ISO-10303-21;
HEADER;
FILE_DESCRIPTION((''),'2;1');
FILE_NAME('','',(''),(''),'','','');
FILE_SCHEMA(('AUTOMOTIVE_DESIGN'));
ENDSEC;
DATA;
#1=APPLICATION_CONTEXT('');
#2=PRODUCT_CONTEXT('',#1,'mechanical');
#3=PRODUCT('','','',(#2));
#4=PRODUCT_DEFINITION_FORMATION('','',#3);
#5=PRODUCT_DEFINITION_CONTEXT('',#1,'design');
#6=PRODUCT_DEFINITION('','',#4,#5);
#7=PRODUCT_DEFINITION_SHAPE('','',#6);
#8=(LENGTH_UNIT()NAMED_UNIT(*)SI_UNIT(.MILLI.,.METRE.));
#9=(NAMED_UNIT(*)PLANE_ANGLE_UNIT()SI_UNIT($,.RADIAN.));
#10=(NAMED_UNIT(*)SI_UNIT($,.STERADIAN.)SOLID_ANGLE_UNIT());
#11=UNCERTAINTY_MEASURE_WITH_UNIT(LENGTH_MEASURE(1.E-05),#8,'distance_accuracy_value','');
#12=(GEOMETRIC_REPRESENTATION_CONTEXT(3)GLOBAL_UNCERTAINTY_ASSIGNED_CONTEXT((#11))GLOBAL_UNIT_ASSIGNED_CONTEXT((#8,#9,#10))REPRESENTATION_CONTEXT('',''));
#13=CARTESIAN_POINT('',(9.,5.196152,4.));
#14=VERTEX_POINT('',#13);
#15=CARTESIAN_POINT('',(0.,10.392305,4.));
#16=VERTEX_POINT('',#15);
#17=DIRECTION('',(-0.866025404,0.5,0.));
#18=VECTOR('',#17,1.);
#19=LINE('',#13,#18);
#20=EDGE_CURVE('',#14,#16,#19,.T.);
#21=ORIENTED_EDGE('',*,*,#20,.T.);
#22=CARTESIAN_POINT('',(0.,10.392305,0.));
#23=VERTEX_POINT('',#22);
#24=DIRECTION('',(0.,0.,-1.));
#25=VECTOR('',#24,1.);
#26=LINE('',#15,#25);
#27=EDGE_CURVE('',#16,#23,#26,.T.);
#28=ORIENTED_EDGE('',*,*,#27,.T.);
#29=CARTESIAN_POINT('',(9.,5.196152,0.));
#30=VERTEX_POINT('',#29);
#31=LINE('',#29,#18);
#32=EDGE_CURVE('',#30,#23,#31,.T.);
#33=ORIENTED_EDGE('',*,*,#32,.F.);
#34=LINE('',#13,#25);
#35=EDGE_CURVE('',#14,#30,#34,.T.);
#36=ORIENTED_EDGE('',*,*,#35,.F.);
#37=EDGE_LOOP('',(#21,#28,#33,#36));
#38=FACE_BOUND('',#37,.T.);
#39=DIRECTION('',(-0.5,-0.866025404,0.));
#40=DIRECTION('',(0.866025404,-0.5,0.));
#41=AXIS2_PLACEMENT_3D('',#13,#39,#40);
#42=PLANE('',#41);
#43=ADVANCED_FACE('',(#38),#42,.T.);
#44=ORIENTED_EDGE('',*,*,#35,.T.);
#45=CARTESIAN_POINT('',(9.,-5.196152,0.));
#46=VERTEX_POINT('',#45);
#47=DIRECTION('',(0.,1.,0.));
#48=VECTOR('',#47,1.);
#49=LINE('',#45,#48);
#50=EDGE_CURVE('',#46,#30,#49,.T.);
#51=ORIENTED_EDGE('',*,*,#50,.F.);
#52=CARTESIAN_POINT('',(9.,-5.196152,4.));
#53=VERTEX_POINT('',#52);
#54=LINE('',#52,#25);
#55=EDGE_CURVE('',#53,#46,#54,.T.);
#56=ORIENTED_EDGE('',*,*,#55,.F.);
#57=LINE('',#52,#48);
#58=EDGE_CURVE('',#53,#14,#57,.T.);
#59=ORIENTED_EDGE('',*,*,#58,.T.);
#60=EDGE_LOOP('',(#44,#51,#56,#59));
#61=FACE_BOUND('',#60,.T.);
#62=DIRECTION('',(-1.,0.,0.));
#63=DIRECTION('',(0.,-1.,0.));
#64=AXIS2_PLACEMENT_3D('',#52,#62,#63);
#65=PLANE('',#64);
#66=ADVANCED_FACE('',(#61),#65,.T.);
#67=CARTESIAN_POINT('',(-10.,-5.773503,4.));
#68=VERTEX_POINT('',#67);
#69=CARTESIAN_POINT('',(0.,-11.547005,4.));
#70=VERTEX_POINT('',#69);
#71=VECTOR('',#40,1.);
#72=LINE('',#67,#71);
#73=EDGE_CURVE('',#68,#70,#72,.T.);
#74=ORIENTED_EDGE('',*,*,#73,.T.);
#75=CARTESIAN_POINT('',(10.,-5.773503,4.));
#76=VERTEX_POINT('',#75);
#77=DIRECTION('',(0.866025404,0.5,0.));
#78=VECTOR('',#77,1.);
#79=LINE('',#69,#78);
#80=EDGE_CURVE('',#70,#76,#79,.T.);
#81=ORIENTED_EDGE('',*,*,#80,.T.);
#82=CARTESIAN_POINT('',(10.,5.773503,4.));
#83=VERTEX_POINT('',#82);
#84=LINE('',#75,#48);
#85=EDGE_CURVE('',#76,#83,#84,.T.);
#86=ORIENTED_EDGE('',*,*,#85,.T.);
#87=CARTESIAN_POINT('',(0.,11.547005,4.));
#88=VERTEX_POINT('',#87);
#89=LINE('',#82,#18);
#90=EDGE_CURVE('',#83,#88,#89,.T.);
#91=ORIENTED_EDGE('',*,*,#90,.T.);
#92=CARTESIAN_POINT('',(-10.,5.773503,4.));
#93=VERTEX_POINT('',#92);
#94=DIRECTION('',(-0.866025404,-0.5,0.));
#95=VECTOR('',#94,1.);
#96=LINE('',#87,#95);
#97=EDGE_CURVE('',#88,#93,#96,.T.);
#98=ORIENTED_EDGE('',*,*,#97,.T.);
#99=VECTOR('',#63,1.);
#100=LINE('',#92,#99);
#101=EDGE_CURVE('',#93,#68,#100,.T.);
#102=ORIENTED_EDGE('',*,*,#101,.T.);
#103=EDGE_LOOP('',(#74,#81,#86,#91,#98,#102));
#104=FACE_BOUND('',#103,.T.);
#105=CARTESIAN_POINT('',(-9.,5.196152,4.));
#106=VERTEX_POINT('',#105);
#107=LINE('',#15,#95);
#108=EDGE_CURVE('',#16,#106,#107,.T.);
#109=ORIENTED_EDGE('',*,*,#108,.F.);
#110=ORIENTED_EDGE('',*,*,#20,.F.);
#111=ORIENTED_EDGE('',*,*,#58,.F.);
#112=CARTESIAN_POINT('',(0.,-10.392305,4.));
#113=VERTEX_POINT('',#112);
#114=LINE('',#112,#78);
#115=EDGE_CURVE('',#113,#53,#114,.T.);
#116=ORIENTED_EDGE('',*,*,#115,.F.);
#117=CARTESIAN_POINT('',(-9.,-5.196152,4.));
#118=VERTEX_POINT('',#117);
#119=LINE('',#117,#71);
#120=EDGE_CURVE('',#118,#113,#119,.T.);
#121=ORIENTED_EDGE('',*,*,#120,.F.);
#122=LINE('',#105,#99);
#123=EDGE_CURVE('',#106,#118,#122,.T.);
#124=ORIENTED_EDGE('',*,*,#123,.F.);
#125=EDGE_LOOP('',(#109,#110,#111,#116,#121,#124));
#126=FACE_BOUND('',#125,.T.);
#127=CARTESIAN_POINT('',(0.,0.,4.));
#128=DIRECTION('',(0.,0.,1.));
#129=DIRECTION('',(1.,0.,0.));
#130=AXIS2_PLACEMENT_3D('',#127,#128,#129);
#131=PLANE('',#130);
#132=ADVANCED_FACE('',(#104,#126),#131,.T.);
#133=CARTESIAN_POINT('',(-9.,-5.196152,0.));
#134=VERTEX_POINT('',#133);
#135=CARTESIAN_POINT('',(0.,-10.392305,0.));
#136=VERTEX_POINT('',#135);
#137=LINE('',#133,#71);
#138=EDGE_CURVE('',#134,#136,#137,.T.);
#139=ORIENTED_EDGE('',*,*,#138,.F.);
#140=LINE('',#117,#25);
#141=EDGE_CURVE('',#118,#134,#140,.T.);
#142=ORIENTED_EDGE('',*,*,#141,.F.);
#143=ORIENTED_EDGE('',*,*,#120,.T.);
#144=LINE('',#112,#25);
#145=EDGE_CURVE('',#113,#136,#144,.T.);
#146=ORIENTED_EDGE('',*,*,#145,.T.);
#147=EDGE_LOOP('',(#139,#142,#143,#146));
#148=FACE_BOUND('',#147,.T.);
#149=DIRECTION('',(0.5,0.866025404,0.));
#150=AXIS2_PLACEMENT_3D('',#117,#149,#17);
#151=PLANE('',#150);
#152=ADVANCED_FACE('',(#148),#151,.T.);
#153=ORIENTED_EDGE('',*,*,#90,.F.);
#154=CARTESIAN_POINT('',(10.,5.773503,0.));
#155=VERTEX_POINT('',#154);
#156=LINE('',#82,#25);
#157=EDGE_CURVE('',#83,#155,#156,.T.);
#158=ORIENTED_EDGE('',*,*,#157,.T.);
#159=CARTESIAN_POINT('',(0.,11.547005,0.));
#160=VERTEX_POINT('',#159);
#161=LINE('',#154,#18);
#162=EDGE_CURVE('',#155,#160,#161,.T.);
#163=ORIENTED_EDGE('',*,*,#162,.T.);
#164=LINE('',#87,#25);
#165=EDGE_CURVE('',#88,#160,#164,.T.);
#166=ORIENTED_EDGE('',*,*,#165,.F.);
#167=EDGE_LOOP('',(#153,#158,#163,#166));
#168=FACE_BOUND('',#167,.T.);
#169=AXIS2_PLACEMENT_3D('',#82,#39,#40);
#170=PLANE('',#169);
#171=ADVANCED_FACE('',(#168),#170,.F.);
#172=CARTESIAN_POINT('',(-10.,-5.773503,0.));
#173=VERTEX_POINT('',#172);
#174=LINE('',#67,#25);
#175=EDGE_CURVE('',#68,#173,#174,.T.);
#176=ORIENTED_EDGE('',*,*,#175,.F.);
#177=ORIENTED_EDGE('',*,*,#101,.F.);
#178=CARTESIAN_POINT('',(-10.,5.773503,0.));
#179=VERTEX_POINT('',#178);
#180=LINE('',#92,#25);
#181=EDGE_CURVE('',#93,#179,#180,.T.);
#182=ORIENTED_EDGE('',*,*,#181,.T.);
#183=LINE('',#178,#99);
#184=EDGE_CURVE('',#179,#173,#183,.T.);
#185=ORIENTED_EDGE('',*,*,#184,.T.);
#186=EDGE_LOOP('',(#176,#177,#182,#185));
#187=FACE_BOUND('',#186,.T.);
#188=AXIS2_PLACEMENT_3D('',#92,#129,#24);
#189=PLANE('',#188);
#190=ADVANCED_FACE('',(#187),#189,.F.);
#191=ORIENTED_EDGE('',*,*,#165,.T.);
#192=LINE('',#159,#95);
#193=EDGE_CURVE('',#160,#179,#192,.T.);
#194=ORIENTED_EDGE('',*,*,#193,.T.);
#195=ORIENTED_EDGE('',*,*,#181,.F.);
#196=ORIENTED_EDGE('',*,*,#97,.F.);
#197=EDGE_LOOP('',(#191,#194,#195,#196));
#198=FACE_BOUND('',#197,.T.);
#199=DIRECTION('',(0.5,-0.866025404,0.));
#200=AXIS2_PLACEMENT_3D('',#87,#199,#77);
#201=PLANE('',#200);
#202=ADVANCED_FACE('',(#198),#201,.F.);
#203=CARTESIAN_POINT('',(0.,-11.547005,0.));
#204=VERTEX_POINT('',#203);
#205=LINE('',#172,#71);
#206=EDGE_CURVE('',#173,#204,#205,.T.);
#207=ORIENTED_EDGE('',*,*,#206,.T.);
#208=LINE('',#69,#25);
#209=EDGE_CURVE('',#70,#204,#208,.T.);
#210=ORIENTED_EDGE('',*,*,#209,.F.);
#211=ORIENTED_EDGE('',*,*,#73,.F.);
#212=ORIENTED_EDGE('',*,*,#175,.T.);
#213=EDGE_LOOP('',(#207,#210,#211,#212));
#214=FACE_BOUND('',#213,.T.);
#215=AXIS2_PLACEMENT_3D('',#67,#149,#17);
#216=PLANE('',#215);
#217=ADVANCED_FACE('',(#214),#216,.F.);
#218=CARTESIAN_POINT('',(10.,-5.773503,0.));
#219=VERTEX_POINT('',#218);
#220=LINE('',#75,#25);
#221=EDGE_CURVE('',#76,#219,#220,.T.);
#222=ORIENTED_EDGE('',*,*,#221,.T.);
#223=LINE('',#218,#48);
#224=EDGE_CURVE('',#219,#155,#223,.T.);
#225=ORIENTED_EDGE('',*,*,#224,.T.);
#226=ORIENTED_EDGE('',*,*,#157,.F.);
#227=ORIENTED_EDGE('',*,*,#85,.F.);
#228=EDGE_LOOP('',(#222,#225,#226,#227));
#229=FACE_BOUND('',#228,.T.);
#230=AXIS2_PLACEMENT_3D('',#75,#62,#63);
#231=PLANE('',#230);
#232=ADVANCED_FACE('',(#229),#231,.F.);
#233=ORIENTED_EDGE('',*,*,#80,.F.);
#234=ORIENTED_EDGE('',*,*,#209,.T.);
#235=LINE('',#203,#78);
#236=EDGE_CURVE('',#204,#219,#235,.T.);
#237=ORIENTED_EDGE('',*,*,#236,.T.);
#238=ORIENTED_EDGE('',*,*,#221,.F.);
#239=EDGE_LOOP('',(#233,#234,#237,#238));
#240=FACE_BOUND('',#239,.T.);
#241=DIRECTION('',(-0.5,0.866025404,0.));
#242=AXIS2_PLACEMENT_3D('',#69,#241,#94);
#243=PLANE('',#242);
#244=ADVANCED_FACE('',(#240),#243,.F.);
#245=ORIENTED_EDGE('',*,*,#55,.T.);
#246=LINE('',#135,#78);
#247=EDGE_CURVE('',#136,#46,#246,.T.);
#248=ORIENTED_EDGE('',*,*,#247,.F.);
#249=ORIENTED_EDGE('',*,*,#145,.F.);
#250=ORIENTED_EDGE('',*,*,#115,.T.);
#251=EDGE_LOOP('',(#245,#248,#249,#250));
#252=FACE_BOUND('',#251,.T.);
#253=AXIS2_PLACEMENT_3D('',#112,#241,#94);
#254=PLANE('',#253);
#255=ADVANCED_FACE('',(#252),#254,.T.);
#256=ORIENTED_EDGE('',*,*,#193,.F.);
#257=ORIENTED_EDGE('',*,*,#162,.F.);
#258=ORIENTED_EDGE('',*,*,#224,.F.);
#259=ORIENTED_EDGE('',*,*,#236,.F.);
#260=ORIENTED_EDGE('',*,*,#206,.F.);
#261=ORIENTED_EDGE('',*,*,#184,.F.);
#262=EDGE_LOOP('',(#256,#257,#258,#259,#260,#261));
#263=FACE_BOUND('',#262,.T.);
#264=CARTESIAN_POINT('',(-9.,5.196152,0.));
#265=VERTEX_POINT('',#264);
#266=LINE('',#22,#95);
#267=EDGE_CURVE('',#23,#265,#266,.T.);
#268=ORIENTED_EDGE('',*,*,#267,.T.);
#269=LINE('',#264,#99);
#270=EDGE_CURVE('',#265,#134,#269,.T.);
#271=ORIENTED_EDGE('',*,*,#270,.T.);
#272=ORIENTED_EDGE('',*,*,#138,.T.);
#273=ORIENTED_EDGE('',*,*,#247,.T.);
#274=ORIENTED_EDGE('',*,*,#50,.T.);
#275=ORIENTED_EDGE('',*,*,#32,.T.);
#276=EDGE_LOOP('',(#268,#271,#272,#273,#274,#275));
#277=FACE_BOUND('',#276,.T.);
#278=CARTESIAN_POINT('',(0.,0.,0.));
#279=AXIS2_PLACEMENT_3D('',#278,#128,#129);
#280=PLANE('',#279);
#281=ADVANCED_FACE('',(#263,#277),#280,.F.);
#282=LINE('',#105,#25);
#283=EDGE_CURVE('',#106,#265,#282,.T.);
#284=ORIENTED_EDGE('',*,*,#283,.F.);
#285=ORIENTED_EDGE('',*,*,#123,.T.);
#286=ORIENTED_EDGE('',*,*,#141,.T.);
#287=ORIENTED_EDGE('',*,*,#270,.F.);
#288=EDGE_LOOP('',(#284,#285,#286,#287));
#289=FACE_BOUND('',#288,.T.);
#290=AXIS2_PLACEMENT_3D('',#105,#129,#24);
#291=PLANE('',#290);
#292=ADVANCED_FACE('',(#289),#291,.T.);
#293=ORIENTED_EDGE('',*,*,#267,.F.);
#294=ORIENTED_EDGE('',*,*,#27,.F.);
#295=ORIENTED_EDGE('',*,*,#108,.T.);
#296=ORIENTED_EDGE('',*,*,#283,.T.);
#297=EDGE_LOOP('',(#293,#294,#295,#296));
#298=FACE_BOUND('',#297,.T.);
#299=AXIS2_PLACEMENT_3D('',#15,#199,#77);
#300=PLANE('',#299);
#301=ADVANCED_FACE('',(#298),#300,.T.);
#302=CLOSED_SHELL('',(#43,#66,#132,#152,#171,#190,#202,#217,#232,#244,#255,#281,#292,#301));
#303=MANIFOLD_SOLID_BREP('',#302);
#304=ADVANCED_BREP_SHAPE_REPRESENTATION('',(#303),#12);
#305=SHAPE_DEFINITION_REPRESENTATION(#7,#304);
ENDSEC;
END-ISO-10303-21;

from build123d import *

# Parameters (mm, degrees)
BOSS_EXTRUDE1_DEPTH = 4


with BuildPart() as part:
    # Sketch1 → Boss-Extrude1 (new body)
    with BuildSketch(Plane.XY):
        Polygon((0, 11.547005384), (-10, 5.773502692), (-10, -5.773502692), (0, -11.547005384), (10, -5.773502692), (10, 5.773502692), align=None)
        Polygon((0, 10.392304845), (-9, 5.196152423), (-9, -5.196152423), (0, -10.392304845), (9, -5.196152423), (9, 5.196152423), align=None, mode=Mode.SUBTRACT)
    extrude(amount=BOSS_EXTRUDE1_DEPTH)


solid = part.part
